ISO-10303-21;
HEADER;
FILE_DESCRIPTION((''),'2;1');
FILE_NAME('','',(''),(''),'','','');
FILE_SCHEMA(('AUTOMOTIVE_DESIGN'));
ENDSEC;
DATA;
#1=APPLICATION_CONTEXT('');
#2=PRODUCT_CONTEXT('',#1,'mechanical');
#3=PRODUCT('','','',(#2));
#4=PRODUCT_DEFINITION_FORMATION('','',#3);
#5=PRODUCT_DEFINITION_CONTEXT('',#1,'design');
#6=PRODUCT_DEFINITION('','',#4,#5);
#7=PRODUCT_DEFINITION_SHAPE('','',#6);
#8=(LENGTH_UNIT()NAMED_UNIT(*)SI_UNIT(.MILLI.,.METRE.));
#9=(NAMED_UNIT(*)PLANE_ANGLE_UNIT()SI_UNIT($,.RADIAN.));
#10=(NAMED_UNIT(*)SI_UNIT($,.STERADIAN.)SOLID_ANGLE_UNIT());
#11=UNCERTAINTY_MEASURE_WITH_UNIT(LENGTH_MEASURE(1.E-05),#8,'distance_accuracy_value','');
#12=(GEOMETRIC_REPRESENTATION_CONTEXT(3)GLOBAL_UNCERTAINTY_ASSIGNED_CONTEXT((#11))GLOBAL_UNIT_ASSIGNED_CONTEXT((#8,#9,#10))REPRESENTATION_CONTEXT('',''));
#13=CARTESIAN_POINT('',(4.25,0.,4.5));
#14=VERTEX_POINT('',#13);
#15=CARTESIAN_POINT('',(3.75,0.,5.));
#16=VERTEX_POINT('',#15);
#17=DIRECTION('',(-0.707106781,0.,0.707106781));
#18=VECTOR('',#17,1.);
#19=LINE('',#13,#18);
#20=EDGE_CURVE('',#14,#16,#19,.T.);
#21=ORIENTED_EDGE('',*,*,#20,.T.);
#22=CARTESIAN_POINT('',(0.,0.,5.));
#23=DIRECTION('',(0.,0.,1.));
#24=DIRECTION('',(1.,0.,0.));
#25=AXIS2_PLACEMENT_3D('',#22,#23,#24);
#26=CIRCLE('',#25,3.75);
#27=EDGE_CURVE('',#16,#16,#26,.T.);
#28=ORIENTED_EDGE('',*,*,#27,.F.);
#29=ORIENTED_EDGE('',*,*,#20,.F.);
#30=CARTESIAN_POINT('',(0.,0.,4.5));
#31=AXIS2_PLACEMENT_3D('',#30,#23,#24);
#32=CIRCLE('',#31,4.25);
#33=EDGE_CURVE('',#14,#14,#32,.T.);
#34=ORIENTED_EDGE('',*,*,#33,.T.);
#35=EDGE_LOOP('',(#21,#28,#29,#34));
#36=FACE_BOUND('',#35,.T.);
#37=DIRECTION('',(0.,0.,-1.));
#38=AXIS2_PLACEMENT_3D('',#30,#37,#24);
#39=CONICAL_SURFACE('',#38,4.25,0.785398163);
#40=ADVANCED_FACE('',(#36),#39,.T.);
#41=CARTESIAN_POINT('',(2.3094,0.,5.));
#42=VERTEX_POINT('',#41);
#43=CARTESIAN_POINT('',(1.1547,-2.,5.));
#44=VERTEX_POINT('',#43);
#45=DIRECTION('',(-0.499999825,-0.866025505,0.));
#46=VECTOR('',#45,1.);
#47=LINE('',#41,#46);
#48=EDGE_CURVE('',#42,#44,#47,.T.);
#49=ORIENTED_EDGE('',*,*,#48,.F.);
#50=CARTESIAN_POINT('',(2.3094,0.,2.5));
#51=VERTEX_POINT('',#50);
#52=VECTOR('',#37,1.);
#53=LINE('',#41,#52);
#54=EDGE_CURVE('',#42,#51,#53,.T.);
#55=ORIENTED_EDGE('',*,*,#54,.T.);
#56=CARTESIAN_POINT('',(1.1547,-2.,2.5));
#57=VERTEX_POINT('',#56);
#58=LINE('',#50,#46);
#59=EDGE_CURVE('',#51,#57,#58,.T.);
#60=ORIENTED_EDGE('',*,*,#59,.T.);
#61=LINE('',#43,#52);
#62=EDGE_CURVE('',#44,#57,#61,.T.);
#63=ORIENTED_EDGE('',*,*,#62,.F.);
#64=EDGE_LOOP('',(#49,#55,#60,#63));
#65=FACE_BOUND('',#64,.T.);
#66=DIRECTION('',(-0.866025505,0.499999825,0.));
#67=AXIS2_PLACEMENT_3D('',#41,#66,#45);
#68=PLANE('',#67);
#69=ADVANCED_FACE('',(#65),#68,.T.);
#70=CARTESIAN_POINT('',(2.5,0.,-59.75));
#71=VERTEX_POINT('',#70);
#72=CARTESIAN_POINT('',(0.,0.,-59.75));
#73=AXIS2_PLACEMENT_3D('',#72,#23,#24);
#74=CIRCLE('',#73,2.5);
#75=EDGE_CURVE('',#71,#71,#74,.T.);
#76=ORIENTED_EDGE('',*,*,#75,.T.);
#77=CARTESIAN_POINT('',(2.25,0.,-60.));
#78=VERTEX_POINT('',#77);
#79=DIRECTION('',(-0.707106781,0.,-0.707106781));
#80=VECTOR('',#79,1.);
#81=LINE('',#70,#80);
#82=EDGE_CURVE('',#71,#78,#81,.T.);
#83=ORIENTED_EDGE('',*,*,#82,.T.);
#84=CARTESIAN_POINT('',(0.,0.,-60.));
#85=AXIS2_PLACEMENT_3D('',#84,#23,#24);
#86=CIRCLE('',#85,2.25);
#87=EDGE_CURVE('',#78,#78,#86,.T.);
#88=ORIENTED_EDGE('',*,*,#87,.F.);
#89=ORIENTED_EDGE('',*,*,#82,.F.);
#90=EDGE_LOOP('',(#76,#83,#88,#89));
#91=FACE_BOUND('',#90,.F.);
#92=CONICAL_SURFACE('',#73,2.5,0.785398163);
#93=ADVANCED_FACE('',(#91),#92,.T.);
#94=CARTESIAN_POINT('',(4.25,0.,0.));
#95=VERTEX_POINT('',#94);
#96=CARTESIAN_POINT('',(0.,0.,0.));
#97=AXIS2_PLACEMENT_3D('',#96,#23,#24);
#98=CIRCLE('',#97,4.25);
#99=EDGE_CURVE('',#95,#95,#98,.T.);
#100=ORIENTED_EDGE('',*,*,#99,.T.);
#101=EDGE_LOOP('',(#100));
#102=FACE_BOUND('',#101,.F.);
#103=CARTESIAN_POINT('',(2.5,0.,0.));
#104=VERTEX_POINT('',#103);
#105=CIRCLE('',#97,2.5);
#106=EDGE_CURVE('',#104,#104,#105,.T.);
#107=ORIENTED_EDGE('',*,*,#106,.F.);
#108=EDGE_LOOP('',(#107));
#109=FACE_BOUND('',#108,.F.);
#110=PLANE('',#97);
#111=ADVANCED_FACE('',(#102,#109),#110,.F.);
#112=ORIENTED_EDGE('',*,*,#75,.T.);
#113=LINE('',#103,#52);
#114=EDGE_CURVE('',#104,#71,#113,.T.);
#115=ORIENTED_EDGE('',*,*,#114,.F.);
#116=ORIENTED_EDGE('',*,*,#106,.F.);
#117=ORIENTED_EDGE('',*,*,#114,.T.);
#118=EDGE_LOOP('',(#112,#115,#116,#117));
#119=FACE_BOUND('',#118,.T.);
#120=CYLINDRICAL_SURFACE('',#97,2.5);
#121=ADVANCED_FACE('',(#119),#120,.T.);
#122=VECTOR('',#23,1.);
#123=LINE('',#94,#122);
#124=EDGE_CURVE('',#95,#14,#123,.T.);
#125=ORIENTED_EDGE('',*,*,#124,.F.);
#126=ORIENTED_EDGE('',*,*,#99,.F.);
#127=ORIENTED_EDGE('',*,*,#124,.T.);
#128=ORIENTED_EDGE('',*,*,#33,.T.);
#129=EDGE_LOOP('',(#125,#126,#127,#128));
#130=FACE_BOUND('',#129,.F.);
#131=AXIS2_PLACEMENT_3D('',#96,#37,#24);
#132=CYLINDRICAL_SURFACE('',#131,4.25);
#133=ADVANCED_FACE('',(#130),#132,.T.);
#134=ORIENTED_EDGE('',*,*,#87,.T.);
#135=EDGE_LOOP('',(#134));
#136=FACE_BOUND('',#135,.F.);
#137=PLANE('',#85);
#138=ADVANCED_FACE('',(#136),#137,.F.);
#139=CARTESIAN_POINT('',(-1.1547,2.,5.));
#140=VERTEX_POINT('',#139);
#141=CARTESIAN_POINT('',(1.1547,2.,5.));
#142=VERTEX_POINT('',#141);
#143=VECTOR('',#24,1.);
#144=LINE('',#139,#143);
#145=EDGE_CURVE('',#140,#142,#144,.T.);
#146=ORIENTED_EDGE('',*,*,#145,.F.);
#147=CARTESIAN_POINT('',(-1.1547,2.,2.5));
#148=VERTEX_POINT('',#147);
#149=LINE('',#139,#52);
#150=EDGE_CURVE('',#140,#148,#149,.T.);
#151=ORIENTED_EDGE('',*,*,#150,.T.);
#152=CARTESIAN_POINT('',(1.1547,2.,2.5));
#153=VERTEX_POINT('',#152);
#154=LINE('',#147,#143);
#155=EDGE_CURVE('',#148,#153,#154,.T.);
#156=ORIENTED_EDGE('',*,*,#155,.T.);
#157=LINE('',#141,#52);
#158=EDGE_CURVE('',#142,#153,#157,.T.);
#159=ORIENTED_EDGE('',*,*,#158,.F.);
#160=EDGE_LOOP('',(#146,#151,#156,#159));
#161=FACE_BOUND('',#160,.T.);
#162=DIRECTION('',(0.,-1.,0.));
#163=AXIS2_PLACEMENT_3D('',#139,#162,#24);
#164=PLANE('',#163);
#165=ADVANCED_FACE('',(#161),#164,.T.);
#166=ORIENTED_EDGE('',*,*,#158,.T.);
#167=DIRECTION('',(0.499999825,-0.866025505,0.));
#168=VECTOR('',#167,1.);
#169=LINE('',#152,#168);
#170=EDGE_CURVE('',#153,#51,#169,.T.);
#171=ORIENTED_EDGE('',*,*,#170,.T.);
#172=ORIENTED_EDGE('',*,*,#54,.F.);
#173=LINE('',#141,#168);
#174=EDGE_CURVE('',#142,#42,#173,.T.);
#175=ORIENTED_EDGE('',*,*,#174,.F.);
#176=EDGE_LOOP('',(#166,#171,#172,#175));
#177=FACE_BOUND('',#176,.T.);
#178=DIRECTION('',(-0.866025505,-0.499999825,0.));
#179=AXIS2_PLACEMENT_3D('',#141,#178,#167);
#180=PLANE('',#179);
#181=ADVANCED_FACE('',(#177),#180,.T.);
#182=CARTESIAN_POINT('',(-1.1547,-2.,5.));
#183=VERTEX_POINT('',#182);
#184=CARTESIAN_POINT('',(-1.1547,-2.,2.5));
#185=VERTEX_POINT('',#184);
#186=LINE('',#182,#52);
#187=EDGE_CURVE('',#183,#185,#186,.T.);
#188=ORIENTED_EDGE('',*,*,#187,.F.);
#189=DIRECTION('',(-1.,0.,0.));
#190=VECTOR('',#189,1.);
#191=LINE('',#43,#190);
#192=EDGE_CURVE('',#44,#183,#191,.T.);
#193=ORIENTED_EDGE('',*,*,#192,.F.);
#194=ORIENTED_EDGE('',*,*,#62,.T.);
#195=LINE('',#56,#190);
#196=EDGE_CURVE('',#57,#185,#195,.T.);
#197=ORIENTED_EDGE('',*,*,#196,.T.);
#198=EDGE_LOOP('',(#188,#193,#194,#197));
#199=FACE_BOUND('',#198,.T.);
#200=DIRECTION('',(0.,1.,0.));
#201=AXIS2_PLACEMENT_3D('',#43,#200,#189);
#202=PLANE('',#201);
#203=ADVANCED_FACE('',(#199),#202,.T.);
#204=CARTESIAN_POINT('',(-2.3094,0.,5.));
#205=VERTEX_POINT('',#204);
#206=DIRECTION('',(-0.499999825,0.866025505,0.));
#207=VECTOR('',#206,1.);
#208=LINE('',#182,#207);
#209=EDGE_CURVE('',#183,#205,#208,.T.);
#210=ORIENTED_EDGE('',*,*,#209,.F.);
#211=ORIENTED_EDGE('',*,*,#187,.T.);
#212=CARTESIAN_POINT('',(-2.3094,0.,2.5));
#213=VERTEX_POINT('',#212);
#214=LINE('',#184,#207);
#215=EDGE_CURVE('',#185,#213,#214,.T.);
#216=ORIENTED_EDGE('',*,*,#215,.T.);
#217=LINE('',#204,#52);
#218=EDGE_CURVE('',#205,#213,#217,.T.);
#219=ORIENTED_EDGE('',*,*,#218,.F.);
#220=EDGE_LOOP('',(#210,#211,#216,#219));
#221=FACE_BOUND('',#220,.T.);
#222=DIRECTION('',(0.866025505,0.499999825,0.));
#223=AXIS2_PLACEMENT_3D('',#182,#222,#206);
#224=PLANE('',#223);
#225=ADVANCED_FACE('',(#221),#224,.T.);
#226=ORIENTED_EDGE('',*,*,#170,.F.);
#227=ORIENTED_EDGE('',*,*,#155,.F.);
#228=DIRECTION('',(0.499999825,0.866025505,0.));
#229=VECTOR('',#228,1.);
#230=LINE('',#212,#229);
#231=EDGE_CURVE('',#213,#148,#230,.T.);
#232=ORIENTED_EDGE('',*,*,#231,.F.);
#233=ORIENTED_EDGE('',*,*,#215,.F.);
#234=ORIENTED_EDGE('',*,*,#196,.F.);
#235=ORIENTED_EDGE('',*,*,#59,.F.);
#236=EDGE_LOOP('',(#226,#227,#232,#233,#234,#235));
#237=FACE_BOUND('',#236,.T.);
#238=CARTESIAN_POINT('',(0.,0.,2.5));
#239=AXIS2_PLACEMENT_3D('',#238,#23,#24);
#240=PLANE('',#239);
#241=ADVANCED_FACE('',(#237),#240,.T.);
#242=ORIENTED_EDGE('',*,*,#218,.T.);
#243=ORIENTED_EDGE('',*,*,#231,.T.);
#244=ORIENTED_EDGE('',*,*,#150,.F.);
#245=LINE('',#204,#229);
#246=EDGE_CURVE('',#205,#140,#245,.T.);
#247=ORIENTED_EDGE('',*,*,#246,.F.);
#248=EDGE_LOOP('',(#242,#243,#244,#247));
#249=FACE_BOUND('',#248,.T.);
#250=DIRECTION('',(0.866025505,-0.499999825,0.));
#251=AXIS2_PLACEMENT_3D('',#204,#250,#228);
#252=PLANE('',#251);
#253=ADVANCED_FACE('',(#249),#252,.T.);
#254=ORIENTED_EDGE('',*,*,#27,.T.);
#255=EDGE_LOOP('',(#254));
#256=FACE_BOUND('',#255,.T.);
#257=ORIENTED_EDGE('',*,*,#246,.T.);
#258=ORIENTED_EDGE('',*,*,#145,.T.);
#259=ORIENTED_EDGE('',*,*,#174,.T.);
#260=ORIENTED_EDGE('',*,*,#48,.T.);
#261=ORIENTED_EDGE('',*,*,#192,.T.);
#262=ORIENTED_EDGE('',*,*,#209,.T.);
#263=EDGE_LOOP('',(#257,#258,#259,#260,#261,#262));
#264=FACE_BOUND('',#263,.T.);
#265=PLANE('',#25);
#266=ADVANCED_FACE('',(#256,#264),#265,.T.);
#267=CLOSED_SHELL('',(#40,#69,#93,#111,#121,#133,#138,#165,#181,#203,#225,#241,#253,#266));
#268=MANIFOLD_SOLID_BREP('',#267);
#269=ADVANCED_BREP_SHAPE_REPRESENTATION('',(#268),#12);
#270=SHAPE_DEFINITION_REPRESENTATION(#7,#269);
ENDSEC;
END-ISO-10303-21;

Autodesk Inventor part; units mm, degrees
ref_plane "YZ Plane" through (0, 0, 0) normal (1, 0, 0) x (0, 1, 0)
ref_plane "XZ Plane" through (0, 0, 0) normal (0, 1, 0) x (-1, 0, 0)
ref_plane "XY Plane" through (0, 0, 0) normal (0, 0, 1) x (1, 0, 0)
sketch "Sketch3" plane through (0, 0, 0) normal (0, 0, 1) x (1, 0, 0)
  circle A0 centre (0, 0) radius 2.5
  dimension "Diameter" = 5
extrude "Extrusion1" add sketch "Sketch3" against normal blind 60
sketch "Sketch4" plane through (0, 0, 0) normal (0, 0, 1) x (1, 0, 0)
  circle A0 centre (0, 0) radius 2.5 projected
  circle A1 centre (0, 0) radius 4.25
  dimension "Head_Diameter" = 8.5
extrude "Extrusion2" add sketch "Sketch4" along normal blind 5 contours A0 | A1
sketch "Sketch5" plane through (0, 0, 5) normal (0, 0, 1) x (1, 0, 0)
  circle A0 centre (0, 0) radius 4.25 projected
  line L0 (2.3094, 0) -> (1.1547, -2)
  line L1 (1.1547, -2) -> (-1.1547, -2)
  line L2 (-1.1547, -2) -> (-2.3094, 0)
  line L3 (-2.3094, 0) -> (-1.1547, 2)
  line L4 (-1.1547, 2) -> (1.1547, 2)
  line L5 (1.1547, 2) -> (2.3094, 0)
  line L6 (0, 0) -> (2.3094, 0) construction
  dimension "Hex_Width" = 4
extrude "Extrusion3" cut sketch "Sketch5" against normal blind 2.5 contours L0 L1 L2 L3 L4 L5
thread "Thread1" size "M5x0.8" class "4g6g" standard "ANSI Metric M Profile" length 22
chamfer "Chamfer1" distance 0.5 angle 45 1 edges at (-4.25, 0, 5)
chamfer "Chamfer2" distance 0.25 angle 45 1 edges at (-2.5, 0, -60)
equation "\"d14\" = 0.5 * Chamfer"
equation "\"Chamfer\" = 0.5"
properties part number "SCREW,SOCKET HD,P,12.9,M5X0.8X60MM" material "Steel, MS"
